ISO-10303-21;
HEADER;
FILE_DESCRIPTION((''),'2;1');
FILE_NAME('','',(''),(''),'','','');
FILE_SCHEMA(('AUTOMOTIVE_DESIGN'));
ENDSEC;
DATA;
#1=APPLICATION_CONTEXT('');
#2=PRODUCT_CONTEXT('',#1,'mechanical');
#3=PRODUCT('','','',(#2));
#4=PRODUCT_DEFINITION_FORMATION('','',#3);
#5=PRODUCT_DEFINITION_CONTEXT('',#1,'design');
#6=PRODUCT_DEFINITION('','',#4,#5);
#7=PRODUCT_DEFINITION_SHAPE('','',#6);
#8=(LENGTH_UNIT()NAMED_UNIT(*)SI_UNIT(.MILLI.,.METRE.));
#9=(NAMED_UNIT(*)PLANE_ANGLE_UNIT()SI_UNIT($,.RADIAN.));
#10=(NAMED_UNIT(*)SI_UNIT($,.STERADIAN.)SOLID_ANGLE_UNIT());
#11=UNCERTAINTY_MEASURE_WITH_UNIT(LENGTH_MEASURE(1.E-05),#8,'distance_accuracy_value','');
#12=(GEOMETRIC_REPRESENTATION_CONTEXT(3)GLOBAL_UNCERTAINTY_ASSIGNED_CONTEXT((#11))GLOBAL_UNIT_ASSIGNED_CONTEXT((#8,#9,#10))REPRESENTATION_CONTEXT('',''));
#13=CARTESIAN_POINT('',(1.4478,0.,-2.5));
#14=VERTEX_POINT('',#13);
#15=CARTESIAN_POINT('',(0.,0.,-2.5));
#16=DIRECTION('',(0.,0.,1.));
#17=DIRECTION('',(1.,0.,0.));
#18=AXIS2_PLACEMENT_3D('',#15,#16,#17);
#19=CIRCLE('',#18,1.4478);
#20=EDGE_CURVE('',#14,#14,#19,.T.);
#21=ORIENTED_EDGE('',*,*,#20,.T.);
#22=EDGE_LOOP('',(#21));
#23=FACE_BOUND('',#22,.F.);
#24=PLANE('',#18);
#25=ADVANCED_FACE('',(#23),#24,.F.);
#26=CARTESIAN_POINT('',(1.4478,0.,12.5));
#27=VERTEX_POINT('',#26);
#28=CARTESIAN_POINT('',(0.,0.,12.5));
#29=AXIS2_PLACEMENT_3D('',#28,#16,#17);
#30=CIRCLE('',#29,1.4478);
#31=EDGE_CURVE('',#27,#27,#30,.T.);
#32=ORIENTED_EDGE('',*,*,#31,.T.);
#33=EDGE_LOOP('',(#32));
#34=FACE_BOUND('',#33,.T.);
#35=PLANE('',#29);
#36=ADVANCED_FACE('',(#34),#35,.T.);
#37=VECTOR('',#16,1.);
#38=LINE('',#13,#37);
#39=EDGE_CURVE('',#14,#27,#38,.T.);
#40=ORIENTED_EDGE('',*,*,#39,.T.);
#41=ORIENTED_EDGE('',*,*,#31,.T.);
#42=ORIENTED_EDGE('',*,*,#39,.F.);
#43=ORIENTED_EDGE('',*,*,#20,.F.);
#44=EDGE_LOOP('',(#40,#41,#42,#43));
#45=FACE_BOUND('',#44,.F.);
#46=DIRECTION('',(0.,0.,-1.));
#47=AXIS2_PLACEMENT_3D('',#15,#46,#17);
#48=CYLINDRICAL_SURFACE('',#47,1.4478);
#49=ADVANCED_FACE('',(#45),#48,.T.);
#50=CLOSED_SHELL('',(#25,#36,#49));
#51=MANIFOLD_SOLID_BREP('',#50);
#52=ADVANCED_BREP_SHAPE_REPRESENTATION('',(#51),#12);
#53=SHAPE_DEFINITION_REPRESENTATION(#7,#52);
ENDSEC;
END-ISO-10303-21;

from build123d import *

# Parameters (mm, degrees)
CYLINDER_R     = 1.4478
CYLINDER_DEPTH = 15


with BuildPart() as part:
    # Cylinder → Cylinder (new body)
    with BuildSketch(Plane.XY.offset(-2.5)):
        Circle(CYLINDER_R)
    extrude(amount=CYLINDER_DEPTH)


solid = part.part
